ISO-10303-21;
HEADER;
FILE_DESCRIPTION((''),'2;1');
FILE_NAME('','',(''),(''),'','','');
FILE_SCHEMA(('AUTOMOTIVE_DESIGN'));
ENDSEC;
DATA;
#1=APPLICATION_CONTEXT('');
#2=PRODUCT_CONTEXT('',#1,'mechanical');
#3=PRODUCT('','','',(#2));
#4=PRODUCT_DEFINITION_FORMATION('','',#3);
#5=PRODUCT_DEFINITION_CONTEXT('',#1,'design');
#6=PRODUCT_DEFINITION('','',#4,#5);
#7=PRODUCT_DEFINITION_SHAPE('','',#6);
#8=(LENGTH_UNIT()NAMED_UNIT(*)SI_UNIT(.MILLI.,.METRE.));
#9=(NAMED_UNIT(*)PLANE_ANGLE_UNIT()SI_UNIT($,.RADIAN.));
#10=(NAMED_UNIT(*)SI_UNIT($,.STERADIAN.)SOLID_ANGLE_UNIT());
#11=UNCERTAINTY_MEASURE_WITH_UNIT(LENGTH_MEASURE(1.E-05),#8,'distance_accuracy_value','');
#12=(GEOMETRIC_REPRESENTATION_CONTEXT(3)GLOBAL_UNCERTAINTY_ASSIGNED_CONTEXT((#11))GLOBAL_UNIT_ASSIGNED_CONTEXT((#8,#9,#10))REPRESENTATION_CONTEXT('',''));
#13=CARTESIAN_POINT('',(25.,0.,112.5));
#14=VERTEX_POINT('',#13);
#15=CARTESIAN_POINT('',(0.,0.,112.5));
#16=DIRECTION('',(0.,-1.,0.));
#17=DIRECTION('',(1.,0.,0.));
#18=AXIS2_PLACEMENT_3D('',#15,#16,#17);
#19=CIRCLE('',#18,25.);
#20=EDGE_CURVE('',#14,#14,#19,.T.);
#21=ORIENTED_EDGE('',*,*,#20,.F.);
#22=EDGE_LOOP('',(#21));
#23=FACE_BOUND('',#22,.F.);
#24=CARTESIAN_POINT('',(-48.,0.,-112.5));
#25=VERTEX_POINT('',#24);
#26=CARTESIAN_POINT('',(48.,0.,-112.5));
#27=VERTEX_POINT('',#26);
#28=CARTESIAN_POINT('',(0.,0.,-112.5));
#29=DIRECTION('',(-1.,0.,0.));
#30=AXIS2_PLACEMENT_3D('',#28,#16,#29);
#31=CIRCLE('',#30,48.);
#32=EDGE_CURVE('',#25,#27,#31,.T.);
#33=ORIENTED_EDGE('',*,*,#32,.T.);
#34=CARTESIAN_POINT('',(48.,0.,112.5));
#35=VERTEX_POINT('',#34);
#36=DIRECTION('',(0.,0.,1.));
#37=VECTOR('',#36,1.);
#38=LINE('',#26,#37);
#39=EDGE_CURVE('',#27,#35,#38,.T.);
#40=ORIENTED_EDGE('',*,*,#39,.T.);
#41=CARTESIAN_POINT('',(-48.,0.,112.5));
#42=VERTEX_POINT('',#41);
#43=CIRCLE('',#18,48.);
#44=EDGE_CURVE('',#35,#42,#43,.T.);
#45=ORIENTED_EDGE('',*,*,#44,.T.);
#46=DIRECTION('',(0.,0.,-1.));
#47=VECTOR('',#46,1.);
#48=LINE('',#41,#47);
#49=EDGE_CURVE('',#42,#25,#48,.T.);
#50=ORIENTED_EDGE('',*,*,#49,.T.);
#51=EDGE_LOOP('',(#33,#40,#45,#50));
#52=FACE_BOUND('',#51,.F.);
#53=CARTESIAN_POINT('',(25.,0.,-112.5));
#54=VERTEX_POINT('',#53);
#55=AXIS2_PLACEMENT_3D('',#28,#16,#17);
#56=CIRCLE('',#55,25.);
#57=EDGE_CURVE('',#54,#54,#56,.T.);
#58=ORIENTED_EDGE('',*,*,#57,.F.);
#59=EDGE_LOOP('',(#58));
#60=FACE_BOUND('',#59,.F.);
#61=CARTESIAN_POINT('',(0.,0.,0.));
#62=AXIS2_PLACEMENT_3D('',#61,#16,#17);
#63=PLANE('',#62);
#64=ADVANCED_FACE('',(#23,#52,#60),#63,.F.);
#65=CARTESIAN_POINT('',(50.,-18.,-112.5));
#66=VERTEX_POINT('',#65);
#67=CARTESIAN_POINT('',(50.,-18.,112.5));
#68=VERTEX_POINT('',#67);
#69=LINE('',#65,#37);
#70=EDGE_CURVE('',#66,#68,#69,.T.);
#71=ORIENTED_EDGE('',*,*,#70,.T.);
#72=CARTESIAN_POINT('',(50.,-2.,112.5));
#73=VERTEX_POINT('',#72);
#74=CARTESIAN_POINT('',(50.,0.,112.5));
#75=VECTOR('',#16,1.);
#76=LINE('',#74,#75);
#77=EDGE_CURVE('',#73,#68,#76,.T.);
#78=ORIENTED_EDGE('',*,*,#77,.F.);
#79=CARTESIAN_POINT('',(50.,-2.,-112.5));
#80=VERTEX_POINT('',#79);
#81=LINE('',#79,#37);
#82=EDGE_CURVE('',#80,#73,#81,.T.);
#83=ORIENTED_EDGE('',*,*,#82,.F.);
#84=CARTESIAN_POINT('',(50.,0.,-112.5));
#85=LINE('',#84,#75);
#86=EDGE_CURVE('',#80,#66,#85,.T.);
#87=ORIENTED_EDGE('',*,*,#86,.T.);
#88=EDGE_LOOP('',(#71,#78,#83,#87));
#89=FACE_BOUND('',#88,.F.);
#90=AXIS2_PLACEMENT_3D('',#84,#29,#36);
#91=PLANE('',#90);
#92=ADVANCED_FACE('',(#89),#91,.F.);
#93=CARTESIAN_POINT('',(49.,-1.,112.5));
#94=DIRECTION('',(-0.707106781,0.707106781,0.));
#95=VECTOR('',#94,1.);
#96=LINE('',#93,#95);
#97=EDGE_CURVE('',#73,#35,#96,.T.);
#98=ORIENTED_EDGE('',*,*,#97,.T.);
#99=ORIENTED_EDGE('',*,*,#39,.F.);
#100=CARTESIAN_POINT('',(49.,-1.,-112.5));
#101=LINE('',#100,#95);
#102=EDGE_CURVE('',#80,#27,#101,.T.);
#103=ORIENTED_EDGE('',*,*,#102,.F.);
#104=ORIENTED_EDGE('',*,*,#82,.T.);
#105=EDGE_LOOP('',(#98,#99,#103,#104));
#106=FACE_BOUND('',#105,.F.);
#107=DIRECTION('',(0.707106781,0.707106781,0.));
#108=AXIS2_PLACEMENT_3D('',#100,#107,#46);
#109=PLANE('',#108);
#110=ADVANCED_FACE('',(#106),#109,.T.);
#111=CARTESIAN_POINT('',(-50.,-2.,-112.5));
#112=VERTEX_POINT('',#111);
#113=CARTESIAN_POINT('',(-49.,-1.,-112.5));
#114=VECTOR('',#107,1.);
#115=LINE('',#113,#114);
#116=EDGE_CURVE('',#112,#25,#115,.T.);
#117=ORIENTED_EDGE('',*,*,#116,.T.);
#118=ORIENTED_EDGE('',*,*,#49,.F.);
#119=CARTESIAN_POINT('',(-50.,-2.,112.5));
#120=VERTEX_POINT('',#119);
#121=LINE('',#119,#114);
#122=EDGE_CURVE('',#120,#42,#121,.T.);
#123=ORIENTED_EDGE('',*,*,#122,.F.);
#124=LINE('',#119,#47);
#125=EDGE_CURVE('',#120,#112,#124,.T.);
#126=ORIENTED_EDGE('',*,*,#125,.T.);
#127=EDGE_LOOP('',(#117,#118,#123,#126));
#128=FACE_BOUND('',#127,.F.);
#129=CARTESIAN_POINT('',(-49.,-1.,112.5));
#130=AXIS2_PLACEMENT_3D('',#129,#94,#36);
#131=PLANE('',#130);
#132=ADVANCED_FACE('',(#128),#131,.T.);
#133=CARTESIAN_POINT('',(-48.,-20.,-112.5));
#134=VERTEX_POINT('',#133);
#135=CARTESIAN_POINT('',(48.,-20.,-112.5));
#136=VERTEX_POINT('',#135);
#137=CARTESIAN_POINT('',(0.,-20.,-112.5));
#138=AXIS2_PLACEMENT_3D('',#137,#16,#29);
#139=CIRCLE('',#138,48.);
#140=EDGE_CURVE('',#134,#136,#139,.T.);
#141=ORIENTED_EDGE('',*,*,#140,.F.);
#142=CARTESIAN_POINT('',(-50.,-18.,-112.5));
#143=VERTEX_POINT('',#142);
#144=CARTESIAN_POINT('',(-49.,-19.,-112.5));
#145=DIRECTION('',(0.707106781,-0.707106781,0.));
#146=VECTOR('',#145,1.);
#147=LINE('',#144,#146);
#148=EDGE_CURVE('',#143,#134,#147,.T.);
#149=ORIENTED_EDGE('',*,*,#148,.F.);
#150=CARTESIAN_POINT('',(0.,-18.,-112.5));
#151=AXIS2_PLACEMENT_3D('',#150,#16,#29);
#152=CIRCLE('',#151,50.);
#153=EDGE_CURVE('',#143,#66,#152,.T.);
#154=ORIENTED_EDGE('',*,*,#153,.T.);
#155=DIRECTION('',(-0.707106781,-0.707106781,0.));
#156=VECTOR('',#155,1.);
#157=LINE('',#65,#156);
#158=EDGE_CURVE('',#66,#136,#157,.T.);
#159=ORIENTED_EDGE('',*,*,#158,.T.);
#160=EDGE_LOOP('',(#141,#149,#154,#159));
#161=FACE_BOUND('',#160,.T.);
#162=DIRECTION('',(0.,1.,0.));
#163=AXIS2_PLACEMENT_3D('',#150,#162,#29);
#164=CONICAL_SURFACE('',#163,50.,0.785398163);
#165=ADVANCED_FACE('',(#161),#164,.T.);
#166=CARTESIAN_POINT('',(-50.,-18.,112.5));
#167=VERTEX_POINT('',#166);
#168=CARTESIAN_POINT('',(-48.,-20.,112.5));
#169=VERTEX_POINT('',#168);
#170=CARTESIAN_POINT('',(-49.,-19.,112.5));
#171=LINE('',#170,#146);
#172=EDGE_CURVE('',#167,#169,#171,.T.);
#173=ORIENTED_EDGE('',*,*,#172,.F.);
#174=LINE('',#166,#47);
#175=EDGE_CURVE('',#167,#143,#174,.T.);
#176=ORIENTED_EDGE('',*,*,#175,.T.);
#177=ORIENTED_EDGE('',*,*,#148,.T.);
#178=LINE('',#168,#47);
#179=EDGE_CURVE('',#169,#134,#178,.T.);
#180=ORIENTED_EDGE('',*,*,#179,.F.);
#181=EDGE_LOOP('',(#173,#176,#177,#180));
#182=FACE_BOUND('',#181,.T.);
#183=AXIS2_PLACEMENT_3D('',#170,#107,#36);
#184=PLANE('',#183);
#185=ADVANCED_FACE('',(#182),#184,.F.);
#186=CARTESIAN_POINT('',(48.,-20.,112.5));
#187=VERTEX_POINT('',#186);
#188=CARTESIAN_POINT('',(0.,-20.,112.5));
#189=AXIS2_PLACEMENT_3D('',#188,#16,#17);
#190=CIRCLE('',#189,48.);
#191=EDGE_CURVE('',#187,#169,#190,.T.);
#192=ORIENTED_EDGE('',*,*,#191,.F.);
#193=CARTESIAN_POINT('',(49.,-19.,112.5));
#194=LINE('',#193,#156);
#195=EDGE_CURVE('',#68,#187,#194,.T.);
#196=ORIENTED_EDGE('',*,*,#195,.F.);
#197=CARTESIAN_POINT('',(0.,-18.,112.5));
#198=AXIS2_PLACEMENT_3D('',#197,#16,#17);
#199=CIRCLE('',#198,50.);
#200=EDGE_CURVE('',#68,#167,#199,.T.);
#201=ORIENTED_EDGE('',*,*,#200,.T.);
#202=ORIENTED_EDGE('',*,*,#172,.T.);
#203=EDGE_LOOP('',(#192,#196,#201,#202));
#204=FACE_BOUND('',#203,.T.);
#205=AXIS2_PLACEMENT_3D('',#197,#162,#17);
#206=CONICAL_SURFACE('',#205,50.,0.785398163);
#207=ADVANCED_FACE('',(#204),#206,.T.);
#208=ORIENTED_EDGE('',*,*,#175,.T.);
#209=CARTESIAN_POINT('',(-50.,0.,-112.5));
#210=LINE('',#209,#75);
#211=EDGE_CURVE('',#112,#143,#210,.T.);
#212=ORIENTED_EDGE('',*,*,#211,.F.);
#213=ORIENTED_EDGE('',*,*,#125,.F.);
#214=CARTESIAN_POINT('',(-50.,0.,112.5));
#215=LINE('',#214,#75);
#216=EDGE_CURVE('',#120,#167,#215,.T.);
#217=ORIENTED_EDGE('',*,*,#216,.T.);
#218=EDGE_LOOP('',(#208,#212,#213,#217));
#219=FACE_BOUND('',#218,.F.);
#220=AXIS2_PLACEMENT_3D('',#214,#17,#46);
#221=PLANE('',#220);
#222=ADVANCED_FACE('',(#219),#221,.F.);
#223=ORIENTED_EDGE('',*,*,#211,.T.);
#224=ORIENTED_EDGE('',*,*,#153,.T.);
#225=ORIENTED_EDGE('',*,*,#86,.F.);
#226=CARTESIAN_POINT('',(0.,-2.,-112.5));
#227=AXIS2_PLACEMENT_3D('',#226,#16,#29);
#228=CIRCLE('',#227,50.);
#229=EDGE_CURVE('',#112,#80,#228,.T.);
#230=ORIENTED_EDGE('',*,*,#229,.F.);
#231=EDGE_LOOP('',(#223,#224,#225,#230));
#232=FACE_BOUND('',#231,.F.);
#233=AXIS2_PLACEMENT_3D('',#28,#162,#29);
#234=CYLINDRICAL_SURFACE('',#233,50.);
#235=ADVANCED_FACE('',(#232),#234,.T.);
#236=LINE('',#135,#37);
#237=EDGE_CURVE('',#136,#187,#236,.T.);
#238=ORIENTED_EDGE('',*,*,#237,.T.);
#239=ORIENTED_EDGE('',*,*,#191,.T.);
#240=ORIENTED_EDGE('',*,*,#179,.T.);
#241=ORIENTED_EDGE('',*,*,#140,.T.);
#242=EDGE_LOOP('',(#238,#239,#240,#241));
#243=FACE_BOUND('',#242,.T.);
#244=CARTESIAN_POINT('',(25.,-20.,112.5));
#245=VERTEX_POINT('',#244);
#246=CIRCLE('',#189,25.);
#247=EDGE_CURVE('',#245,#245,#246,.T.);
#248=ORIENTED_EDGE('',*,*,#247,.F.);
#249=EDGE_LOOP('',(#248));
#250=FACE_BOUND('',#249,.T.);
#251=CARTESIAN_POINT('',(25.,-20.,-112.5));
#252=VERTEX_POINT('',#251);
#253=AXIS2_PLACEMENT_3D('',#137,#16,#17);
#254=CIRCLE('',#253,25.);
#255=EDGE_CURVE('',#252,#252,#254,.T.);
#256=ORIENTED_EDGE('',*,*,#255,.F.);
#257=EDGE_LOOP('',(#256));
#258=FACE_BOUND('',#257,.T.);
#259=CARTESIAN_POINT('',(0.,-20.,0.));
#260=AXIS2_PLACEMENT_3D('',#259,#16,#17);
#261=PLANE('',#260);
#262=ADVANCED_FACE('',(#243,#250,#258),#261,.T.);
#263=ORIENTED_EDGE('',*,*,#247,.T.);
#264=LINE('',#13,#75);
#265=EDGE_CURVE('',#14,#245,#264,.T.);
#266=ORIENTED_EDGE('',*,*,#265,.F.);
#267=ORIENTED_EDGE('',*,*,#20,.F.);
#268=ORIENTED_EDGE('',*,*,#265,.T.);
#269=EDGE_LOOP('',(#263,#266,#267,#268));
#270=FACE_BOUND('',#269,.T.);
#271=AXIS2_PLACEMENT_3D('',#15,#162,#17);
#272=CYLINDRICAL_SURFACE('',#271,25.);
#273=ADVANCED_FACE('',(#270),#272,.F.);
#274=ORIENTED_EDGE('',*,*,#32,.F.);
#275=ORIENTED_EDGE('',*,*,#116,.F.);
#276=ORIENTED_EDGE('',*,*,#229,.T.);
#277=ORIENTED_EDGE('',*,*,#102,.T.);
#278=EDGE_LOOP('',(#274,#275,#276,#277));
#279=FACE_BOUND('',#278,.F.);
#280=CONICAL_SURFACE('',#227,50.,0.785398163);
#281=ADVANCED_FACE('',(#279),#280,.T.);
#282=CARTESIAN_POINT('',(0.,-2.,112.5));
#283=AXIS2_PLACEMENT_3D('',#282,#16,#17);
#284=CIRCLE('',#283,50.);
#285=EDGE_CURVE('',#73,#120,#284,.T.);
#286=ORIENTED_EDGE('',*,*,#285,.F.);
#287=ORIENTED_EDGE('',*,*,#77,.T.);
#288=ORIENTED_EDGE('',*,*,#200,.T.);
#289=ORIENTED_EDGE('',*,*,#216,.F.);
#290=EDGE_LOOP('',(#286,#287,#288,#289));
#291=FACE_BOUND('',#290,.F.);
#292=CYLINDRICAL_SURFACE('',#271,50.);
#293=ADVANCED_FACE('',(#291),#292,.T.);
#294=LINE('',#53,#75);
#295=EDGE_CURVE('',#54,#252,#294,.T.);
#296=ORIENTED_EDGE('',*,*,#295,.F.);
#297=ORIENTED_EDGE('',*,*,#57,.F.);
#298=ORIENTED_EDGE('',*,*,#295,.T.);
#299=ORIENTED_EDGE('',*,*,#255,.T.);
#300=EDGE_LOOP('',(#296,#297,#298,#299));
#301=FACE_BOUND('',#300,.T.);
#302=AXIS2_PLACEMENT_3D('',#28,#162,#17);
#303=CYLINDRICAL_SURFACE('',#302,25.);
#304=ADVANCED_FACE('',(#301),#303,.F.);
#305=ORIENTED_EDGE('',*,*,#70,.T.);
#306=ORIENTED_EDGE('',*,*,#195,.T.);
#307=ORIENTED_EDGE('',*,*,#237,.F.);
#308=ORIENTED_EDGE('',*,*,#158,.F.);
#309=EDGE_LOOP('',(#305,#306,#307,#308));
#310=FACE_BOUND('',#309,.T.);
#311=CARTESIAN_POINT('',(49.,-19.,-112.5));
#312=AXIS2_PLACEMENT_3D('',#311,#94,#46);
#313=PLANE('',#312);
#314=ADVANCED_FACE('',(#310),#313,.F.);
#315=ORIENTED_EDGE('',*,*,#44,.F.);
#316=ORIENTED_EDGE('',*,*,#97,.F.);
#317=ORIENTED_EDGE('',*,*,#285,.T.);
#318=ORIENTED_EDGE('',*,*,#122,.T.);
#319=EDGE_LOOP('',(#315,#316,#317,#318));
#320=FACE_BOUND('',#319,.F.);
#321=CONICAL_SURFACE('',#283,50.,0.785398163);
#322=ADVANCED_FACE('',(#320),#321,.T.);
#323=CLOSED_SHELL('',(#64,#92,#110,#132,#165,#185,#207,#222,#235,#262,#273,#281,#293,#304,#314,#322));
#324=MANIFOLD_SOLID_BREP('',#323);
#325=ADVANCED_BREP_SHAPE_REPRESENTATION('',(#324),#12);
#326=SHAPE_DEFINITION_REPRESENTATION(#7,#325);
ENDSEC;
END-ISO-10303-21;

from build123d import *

# Parameters (mm, degrees)
F0_R     = 25
F1_DEPTH = 20
F2_SIZE2 = 2
F2_SIZE  = 2


with BuildPart() as f1:
    # F0 (on Front) → F1 (new body)
    with BuildSketch(Plane.XZ):
        with BuildLine():
            ThreePointArc((50, 112.5), (0, 162.5), (-50, 112.5))
            Line((-50, 112.5), (-50, -112.5))
            ThreePointArc((-50, -112.5), (0, -162.5), (50, -112.5))
            Line((50, -112.5), (50, 112.5))
        make_face()
        with Locations((0, -112.5)):
            Circle(F0_R, mode=Mode.SUBTRACT)
        with Locations((0, 112.5)):
            Circle(F0_R, mode=Mode.SUBTRACT)
    extrude(amount=F1_DEPTH)

    # F2
    f2_edges = [f1.edges().sort_by_distance(p)[0] for p in [
        (-50, -20, 0),
        (50, 0, 0),
    ]]
    chamfer(f2_edges, length=F2_SIZE, length2=F2_SIZE2)


solid = f1.part
